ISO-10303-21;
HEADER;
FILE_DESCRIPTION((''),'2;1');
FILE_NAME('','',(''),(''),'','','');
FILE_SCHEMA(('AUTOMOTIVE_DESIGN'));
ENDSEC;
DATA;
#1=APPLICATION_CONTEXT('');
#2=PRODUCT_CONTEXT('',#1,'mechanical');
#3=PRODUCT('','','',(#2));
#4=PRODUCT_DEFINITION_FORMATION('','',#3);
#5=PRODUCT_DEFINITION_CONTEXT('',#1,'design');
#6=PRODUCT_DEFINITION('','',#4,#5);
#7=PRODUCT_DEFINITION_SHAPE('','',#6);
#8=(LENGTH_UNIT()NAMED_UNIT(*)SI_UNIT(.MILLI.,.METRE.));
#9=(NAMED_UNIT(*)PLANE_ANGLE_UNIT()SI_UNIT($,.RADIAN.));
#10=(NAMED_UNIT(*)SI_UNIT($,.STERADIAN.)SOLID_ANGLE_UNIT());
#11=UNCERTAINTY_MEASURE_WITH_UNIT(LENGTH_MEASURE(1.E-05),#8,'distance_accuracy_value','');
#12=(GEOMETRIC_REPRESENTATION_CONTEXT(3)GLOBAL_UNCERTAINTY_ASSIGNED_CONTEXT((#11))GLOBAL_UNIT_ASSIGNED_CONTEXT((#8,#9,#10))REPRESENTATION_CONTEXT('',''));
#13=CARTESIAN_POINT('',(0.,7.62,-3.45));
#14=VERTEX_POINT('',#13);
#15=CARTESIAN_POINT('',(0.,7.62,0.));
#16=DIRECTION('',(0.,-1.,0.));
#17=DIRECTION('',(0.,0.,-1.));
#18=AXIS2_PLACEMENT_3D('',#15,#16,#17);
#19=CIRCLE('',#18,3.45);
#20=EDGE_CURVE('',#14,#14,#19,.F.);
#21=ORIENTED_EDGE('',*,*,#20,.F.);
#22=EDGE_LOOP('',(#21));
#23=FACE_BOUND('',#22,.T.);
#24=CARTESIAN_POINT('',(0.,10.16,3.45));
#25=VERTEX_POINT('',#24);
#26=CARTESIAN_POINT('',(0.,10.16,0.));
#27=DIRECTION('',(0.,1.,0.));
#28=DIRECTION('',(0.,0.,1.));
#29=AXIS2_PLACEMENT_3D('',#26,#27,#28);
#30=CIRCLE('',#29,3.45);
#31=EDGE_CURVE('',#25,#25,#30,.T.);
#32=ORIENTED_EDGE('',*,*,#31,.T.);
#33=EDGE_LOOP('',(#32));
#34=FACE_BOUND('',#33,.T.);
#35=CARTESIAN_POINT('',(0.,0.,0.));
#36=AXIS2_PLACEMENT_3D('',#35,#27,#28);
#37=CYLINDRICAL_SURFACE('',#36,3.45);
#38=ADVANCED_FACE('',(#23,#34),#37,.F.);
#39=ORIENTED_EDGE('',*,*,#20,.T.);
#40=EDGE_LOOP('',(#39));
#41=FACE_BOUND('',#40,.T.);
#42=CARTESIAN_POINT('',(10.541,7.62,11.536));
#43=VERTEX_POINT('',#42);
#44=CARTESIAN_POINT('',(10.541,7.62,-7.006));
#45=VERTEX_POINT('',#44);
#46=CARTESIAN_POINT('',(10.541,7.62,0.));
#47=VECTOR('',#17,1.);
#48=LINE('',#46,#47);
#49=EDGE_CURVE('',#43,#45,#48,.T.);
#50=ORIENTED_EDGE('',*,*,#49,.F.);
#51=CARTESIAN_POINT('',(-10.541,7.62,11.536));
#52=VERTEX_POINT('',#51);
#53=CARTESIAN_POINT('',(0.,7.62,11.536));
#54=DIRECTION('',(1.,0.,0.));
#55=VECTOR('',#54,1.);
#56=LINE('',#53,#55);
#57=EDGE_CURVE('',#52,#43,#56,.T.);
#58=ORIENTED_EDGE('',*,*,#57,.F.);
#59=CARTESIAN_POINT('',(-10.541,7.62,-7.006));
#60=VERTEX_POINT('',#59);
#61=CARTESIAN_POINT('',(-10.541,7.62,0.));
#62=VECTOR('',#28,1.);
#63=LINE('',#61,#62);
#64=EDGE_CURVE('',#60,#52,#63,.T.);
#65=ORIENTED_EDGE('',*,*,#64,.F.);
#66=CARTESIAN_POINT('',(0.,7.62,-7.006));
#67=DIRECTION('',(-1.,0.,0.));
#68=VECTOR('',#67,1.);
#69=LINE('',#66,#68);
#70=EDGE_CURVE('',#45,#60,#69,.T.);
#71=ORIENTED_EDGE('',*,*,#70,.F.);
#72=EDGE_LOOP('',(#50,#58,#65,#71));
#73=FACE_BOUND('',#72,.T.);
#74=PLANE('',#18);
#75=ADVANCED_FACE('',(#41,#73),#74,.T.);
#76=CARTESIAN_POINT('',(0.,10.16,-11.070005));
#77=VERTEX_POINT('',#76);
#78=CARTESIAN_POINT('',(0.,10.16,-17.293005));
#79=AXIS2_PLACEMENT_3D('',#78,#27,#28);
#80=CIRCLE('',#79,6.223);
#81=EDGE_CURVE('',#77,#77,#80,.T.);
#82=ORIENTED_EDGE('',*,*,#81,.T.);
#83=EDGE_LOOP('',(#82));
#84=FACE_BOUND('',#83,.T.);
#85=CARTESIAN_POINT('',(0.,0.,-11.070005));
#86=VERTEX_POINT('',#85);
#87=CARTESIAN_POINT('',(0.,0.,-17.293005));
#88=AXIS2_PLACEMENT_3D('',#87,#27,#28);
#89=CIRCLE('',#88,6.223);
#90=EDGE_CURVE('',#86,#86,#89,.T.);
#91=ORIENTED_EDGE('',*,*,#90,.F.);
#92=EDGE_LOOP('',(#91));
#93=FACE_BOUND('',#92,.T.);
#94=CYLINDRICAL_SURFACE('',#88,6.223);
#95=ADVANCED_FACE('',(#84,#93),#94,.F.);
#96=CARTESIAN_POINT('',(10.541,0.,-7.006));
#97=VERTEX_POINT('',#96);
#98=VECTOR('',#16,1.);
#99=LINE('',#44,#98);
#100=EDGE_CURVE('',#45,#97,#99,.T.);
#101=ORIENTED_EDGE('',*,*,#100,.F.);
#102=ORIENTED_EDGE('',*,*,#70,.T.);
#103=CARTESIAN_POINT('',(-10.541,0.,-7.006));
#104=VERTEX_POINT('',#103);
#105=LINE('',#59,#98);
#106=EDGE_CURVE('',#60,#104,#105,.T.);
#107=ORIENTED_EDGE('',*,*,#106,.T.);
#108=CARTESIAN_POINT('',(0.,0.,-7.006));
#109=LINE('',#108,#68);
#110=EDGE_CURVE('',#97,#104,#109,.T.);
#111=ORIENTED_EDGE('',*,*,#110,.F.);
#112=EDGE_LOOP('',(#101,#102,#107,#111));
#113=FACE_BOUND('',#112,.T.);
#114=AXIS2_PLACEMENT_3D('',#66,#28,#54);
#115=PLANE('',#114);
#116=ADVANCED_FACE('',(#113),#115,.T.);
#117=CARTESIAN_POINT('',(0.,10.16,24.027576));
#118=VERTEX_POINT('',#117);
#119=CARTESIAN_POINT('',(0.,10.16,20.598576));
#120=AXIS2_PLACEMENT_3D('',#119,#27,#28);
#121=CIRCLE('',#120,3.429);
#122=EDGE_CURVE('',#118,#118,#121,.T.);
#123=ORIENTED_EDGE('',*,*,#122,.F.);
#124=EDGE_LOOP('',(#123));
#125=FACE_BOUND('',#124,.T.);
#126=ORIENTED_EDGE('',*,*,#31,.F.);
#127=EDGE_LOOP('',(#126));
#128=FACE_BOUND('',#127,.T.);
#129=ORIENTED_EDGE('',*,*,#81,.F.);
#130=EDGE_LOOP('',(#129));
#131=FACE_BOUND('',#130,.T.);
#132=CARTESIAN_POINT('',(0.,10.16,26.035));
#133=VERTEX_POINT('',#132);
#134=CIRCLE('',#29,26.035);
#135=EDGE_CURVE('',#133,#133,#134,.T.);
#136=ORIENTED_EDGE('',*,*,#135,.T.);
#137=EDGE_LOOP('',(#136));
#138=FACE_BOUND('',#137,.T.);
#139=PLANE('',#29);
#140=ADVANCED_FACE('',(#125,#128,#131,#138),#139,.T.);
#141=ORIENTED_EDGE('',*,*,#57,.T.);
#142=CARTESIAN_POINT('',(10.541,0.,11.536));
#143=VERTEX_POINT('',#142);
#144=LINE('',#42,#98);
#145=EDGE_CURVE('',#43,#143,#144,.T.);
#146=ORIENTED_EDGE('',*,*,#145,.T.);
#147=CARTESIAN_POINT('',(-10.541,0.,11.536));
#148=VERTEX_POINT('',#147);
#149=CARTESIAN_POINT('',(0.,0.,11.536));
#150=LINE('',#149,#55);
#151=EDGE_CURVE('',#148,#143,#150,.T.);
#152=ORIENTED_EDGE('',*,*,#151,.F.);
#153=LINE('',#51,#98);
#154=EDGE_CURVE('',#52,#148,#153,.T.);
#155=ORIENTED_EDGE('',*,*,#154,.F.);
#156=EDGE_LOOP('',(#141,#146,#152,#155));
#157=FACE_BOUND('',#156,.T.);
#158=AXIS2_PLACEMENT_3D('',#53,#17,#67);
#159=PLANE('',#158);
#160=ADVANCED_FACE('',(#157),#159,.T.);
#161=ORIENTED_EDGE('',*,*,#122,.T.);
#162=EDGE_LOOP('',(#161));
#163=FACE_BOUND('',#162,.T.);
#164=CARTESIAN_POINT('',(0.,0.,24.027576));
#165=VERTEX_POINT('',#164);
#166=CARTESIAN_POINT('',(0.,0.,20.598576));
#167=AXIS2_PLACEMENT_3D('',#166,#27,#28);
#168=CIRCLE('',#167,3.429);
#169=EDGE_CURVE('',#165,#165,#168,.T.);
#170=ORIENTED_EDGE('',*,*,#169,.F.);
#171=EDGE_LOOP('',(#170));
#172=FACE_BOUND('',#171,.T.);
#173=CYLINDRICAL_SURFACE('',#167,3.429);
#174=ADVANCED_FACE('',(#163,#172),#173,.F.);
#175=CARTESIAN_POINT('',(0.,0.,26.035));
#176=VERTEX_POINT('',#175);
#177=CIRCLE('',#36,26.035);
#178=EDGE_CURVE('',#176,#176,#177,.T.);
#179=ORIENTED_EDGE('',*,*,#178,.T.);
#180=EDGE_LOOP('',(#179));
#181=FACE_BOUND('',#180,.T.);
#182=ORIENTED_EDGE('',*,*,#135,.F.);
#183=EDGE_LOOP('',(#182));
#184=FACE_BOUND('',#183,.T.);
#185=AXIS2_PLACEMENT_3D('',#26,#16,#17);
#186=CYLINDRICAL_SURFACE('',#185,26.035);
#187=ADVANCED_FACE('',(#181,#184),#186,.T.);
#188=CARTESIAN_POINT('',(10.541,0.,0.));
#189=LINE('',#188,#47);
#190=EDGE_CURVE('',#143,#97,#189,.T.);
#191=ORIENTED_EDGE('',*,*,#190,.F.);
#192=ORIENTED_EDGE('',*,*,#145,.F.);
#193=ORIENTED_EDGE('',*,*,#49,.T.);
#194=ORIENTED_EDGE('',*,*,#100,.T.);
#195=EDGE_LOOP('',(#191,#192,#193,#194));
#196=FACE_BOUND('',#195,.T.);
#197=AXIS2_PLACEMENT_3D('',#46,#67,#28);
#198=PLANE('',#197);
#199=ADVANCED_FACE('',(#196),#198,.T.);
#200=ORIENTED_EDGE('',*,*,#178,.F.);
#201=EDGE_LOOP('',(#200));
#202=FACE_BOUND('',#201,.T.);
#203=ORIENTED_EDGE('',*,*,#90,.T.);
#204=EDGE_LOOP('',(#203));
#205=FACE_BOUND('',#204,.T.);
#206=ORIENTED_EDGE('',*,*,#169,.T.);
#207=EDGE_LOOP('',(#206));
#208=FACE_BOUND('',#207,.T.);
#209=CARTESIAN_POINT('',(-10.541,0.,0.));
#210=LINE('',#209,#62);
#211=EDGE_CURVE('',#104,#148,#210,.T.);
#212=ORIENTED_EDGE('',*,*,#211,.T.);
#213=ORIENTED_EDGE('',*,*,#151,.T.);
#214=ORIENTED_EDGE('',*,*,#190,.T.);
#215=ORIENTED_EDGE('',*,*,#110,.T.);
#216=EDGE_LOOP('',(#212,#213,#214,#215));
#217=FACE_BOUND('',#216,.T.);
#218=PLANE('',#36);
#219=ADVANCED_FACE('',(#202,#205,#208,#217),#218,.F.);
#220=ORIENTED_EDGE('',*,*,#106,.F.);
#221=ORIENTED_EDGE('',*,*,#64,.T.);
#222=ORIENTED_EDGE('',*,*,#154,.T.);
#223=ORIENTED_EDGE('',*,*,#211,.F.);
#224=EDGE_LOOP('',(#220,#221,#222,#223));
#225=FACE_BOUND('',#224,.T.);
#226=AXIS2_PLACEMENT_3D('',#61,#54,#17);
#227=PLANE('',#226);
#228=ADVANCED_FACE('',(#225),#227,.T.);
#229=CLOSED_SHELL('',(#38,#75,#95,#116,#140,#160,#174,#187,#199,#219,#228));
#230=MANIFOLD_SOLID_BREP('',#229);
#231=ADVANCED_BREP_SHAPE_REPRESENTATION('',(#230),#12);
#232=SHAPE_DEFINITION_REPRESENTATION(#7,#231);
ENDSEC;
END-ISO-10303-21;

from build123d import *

# Parameters (mm, degrees)
SKETCH1_R           = 26.035
BOSS_EXTRUDE1_DEPTH = 10.16
SKETCH2_R           = 6.223
SKETCH2_R_2         = 3.429
SKETCH2_R_3         = 3.45
CUT_EXTRUDE1_DEPTH  = 39.195131234
SKETCH3_W           = 21.082
SKETCH3_H           = 18.542
CUT_EXTRUDE2_DEPTH  = 7.62


with BuildPart() as part:
    # Sketch1 → Boss-Extrude1 (new body)
    with BuildSketch(Plane(origin=(0, 0, 0), x_dir=(1, 0, 0), z_dir=(0, 1, 0))):
        with Locations(Location((0, 0, 0), (0, 0, 270))):
            Circle(SKETCH1_R)
    extrude(amount=BOSS_EXTRUDE1_DEPTH)

    # Sketch2 → Cut-Extrude1 (cut, through all)
    with BuildSketch(Plane(origin=(0, 10.16, 0), x_dir=(1, 0, 0), z_dir=(0, 1, 0))):
        with Locations(Location((0, 17.293004752, 0), (0, 0, 270))):
            Circle(SKETCH2_R)
        with Locations(Location((0, -20.598576002, 0), (0, 0, 270))):
            Circle(SKETCH2_R_2)
        with Locations(Location((0, 0, 0), (0, 0, 270))):
            Circle(SKETCH2_R_3)
    extrude(amount=-CUT_EXTRUDE1_DEPTH, mode=Mode.SUBTRACT)

    # Sketch3 → Cut-Extrude2 (cut)
    with BuildSketch(Plane.XZ):
        with Locations((0, 2.265)):
            Rectangle(SKETCH3_W, SKETCH3_H)
    extrude(amount=-CUT_EXTRUDE2_DEPTH, mode=Mode.SUBTRACT)


solid = part.part
